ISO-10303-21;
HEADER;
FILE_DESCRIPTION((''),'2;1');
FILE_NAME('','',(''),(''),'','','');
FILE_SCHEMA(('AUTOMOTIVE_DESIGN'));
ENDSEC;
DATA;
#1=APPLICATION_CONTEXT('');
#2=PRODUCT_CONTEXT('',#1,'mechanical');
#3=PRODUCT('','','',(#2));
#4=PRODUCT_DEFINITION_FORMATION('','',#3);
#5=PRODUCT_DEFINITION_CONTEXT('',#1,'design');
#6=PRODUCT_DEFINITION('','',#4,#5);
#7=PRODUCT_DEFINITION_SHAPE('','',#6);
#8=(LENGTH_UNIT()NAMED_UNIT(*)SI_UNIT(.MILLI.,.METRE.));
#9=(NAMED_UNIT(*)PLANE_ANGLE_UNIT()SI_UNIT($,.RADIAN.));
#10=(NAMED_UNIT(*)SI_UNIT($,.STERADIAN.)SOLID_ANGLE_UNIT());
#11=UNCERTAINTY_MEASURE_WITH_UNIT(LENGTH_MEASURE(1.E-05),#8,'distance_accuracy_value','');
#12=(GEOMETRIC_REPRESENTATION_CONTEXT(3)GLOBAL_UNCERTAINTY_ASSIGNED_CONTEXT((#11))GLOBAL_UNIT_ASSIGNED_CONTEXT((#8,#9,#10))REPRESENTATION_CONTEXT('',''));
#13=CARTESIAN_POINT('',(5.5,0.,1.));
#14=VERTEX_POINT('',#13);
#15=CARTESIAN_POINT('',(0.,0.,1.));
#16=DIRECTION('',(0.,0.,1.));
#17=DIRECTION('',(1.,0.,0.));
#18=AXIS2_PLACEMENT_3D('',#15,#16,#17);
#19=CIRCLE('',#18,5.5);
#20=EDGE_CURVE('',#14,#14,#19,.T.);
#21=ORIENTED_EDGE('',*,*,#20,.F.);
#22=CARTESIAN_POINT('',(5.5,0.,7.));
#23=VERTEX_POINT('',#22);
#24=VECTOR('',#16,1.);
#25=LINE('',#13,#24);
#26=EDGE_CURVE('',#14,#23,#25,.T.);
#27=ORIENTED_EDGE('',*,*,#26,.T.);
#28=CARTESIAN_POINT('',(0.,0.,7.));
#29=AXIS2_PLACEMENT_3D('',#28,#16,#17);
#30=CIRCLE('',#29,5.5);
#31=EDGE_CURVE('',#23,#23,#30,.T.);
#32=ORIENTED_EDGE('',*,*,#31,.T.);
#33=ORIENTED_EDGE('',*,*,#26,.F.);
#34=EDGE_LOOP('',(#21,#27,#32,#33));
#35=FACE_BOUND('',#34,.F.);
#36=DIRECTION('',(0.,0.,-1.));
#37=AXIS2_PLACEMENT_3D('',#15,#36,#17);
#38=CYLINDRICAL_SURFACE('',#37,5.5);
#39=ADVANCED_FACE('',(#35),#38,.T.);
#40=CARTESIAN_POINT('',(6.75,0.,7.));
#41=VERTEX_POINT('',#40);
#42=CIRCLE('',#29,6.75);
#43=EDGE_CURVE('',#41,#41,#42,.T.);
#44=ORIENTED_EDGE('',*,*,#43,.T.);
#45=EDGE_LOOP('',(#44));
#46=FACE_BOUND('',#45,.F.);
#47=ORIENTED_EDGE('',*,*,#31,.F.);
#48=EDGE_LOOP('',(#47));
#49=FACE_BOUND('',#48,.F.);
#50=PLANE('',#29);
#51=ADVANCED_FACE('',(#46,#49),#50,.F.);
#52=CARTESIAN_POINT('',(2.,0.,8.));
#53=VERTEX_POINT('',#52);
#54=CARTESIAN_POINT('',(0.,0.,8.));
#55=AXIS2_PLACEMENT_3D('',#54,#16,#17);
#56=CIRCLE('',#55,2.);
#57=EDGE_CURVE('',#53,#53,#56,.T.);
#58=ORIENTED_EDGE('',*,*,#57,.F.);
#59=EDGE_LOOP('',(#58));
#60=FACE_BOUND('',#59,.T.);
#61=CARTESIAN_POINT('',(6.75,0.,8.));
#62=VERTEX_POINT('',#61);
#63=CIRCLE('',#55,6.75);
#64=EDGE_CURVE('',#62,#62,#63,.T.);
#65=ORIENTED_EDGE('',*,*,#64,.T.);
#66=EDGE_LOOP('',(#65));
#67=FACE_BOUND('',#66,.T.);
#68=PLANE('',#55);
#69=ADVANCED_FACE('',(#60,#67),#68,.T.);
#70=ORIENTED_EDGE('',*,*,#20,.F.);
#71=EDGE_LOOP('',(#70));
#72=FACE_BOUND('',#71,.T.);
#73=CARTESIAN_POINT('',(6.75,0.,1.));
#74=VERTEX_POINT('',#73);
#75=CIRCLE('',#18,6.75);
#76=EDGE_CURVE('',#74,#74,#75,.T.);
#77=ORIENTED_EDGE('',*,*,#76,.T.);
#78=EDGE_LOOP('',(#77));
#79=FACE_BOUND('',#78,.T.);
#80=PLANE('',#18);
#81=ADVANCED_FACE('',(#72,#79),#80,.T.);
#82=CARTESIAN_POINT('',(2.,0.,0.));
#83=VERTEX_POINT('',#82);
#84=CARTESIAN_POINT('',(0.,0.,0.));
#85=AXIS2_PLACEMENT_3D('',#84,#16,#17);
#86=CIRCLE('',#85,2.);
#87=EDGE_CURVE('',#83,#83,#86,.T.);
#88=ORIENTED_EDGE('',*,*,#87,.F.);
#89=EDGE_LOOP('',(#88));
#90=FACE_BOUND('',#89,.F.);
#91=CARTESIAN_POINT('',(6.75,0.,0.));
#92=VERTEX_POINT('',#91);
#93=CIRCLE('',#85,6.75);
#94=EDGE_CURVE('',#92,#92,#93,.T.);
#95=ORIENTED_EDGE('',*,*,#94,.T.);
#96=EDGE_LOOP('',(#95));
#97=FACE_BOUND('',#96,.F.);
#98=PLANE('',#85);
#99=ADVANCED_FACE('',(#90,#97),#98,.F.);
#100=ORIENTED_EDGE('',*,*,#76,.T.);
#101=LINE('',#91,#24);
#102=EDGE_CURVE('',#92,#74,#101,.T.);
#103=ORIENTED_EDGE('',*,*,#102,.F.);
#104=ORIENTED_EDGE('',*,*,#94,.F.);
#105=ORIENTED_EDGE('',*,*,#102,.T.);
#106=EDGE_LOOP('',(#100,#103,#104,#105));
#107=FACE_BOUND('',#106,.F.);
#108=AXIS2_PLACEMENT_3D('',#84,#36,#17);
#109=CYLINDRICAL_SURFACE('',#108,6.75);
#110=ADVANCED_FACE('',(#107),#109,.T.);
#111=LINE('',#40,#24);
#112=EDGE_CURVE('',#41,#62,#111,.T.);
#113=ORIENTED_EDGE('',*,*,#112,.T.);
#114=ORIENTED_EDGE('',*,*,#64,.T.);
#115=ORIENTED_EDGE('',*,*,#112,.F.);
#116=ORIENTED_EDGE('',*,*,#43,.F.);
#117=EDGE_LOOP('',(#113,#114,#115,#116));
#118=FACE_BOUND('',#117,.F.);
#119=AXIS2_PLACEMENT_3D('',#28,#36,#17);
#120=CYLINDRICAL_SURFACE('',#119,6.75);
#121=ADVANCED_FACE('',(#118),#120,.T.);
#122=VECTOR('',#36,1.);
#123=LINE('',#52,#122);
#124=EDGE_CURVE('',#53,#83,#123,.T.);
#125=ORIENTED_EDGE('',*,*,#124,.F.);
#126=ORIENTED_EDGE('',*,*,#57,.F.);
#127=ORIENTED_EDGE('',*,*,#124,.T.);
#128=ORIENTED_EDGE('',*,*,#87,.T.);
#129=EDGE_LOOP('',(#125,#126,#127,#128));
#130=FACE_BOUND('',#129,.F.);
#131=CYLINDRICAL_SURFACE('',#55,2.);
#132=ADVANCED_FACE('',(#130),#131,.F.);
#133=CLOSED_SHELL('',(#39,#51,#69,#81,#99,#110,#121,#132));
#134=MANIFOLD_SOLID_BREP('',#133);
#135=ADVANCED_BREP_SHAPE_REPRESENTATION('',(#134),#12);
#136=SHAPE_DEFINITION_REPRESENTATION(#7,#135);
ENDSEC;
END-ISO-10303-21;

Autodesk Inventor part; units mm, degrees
ref_plane "YZ Plane" through (0, 0, 0) normal (1, 0, 0) x (0, 1, 0)
ref_plane "XZ Plane" through (0, 0, 0) normal (0, 1, 0) x (-1, 0, 0)
ref_plane "XY Plane" through (0, 0, 0) normal (0, 0, 1) x (1, 0, 0)
sketch "Sketch1" plane through (0, 0, 0) normal (0, 0, 1) x (1, 0, 0)
  circle A0 centre (0, 0) radius 6.75
  dimension "d0" = 13.5
extrude "Extrusion1" add sketch "Sketch1" along normal blind 1
sketch "Sketch2" plane through (0, 0, 1) normal (0, 0, 1) x (1, 0, 0)
  circle A0 centre (0, 0) radius 6.75 projected
  circle A1 centre (0, 0) radius 5.5
  dimension "d3" = 11
extrude "Extrusion2" add sketch "Sketch2" along normal blind 6 contours A1
sketch "Sketch3" plane through (0, 0, 7) normal (0, 0, 1) x (1, 0, 0)
  circle A0 centre (0, 0) radius 5.5 projected
  circle A1 centre (0, 0) radius 6.75
  dimension "d6" = 13.5
extrude "Extrusion3" add sketch "Sketch3" along normal blind 1 contours A0 | A1
sketch "Sketch4" plane through (0, 0, 8) normal (0, 0, 1) x (1, 0, 0)
  circle A0 centre (0, 0) radius 6.75 projected
  circle A1 centre (0, 0) radius 2
  dimension "d9" = 4
extrude "Extrusion4" cut sketch "Sketch4" against normal blind 15 contours A1
properties material "Stainless Steel"
